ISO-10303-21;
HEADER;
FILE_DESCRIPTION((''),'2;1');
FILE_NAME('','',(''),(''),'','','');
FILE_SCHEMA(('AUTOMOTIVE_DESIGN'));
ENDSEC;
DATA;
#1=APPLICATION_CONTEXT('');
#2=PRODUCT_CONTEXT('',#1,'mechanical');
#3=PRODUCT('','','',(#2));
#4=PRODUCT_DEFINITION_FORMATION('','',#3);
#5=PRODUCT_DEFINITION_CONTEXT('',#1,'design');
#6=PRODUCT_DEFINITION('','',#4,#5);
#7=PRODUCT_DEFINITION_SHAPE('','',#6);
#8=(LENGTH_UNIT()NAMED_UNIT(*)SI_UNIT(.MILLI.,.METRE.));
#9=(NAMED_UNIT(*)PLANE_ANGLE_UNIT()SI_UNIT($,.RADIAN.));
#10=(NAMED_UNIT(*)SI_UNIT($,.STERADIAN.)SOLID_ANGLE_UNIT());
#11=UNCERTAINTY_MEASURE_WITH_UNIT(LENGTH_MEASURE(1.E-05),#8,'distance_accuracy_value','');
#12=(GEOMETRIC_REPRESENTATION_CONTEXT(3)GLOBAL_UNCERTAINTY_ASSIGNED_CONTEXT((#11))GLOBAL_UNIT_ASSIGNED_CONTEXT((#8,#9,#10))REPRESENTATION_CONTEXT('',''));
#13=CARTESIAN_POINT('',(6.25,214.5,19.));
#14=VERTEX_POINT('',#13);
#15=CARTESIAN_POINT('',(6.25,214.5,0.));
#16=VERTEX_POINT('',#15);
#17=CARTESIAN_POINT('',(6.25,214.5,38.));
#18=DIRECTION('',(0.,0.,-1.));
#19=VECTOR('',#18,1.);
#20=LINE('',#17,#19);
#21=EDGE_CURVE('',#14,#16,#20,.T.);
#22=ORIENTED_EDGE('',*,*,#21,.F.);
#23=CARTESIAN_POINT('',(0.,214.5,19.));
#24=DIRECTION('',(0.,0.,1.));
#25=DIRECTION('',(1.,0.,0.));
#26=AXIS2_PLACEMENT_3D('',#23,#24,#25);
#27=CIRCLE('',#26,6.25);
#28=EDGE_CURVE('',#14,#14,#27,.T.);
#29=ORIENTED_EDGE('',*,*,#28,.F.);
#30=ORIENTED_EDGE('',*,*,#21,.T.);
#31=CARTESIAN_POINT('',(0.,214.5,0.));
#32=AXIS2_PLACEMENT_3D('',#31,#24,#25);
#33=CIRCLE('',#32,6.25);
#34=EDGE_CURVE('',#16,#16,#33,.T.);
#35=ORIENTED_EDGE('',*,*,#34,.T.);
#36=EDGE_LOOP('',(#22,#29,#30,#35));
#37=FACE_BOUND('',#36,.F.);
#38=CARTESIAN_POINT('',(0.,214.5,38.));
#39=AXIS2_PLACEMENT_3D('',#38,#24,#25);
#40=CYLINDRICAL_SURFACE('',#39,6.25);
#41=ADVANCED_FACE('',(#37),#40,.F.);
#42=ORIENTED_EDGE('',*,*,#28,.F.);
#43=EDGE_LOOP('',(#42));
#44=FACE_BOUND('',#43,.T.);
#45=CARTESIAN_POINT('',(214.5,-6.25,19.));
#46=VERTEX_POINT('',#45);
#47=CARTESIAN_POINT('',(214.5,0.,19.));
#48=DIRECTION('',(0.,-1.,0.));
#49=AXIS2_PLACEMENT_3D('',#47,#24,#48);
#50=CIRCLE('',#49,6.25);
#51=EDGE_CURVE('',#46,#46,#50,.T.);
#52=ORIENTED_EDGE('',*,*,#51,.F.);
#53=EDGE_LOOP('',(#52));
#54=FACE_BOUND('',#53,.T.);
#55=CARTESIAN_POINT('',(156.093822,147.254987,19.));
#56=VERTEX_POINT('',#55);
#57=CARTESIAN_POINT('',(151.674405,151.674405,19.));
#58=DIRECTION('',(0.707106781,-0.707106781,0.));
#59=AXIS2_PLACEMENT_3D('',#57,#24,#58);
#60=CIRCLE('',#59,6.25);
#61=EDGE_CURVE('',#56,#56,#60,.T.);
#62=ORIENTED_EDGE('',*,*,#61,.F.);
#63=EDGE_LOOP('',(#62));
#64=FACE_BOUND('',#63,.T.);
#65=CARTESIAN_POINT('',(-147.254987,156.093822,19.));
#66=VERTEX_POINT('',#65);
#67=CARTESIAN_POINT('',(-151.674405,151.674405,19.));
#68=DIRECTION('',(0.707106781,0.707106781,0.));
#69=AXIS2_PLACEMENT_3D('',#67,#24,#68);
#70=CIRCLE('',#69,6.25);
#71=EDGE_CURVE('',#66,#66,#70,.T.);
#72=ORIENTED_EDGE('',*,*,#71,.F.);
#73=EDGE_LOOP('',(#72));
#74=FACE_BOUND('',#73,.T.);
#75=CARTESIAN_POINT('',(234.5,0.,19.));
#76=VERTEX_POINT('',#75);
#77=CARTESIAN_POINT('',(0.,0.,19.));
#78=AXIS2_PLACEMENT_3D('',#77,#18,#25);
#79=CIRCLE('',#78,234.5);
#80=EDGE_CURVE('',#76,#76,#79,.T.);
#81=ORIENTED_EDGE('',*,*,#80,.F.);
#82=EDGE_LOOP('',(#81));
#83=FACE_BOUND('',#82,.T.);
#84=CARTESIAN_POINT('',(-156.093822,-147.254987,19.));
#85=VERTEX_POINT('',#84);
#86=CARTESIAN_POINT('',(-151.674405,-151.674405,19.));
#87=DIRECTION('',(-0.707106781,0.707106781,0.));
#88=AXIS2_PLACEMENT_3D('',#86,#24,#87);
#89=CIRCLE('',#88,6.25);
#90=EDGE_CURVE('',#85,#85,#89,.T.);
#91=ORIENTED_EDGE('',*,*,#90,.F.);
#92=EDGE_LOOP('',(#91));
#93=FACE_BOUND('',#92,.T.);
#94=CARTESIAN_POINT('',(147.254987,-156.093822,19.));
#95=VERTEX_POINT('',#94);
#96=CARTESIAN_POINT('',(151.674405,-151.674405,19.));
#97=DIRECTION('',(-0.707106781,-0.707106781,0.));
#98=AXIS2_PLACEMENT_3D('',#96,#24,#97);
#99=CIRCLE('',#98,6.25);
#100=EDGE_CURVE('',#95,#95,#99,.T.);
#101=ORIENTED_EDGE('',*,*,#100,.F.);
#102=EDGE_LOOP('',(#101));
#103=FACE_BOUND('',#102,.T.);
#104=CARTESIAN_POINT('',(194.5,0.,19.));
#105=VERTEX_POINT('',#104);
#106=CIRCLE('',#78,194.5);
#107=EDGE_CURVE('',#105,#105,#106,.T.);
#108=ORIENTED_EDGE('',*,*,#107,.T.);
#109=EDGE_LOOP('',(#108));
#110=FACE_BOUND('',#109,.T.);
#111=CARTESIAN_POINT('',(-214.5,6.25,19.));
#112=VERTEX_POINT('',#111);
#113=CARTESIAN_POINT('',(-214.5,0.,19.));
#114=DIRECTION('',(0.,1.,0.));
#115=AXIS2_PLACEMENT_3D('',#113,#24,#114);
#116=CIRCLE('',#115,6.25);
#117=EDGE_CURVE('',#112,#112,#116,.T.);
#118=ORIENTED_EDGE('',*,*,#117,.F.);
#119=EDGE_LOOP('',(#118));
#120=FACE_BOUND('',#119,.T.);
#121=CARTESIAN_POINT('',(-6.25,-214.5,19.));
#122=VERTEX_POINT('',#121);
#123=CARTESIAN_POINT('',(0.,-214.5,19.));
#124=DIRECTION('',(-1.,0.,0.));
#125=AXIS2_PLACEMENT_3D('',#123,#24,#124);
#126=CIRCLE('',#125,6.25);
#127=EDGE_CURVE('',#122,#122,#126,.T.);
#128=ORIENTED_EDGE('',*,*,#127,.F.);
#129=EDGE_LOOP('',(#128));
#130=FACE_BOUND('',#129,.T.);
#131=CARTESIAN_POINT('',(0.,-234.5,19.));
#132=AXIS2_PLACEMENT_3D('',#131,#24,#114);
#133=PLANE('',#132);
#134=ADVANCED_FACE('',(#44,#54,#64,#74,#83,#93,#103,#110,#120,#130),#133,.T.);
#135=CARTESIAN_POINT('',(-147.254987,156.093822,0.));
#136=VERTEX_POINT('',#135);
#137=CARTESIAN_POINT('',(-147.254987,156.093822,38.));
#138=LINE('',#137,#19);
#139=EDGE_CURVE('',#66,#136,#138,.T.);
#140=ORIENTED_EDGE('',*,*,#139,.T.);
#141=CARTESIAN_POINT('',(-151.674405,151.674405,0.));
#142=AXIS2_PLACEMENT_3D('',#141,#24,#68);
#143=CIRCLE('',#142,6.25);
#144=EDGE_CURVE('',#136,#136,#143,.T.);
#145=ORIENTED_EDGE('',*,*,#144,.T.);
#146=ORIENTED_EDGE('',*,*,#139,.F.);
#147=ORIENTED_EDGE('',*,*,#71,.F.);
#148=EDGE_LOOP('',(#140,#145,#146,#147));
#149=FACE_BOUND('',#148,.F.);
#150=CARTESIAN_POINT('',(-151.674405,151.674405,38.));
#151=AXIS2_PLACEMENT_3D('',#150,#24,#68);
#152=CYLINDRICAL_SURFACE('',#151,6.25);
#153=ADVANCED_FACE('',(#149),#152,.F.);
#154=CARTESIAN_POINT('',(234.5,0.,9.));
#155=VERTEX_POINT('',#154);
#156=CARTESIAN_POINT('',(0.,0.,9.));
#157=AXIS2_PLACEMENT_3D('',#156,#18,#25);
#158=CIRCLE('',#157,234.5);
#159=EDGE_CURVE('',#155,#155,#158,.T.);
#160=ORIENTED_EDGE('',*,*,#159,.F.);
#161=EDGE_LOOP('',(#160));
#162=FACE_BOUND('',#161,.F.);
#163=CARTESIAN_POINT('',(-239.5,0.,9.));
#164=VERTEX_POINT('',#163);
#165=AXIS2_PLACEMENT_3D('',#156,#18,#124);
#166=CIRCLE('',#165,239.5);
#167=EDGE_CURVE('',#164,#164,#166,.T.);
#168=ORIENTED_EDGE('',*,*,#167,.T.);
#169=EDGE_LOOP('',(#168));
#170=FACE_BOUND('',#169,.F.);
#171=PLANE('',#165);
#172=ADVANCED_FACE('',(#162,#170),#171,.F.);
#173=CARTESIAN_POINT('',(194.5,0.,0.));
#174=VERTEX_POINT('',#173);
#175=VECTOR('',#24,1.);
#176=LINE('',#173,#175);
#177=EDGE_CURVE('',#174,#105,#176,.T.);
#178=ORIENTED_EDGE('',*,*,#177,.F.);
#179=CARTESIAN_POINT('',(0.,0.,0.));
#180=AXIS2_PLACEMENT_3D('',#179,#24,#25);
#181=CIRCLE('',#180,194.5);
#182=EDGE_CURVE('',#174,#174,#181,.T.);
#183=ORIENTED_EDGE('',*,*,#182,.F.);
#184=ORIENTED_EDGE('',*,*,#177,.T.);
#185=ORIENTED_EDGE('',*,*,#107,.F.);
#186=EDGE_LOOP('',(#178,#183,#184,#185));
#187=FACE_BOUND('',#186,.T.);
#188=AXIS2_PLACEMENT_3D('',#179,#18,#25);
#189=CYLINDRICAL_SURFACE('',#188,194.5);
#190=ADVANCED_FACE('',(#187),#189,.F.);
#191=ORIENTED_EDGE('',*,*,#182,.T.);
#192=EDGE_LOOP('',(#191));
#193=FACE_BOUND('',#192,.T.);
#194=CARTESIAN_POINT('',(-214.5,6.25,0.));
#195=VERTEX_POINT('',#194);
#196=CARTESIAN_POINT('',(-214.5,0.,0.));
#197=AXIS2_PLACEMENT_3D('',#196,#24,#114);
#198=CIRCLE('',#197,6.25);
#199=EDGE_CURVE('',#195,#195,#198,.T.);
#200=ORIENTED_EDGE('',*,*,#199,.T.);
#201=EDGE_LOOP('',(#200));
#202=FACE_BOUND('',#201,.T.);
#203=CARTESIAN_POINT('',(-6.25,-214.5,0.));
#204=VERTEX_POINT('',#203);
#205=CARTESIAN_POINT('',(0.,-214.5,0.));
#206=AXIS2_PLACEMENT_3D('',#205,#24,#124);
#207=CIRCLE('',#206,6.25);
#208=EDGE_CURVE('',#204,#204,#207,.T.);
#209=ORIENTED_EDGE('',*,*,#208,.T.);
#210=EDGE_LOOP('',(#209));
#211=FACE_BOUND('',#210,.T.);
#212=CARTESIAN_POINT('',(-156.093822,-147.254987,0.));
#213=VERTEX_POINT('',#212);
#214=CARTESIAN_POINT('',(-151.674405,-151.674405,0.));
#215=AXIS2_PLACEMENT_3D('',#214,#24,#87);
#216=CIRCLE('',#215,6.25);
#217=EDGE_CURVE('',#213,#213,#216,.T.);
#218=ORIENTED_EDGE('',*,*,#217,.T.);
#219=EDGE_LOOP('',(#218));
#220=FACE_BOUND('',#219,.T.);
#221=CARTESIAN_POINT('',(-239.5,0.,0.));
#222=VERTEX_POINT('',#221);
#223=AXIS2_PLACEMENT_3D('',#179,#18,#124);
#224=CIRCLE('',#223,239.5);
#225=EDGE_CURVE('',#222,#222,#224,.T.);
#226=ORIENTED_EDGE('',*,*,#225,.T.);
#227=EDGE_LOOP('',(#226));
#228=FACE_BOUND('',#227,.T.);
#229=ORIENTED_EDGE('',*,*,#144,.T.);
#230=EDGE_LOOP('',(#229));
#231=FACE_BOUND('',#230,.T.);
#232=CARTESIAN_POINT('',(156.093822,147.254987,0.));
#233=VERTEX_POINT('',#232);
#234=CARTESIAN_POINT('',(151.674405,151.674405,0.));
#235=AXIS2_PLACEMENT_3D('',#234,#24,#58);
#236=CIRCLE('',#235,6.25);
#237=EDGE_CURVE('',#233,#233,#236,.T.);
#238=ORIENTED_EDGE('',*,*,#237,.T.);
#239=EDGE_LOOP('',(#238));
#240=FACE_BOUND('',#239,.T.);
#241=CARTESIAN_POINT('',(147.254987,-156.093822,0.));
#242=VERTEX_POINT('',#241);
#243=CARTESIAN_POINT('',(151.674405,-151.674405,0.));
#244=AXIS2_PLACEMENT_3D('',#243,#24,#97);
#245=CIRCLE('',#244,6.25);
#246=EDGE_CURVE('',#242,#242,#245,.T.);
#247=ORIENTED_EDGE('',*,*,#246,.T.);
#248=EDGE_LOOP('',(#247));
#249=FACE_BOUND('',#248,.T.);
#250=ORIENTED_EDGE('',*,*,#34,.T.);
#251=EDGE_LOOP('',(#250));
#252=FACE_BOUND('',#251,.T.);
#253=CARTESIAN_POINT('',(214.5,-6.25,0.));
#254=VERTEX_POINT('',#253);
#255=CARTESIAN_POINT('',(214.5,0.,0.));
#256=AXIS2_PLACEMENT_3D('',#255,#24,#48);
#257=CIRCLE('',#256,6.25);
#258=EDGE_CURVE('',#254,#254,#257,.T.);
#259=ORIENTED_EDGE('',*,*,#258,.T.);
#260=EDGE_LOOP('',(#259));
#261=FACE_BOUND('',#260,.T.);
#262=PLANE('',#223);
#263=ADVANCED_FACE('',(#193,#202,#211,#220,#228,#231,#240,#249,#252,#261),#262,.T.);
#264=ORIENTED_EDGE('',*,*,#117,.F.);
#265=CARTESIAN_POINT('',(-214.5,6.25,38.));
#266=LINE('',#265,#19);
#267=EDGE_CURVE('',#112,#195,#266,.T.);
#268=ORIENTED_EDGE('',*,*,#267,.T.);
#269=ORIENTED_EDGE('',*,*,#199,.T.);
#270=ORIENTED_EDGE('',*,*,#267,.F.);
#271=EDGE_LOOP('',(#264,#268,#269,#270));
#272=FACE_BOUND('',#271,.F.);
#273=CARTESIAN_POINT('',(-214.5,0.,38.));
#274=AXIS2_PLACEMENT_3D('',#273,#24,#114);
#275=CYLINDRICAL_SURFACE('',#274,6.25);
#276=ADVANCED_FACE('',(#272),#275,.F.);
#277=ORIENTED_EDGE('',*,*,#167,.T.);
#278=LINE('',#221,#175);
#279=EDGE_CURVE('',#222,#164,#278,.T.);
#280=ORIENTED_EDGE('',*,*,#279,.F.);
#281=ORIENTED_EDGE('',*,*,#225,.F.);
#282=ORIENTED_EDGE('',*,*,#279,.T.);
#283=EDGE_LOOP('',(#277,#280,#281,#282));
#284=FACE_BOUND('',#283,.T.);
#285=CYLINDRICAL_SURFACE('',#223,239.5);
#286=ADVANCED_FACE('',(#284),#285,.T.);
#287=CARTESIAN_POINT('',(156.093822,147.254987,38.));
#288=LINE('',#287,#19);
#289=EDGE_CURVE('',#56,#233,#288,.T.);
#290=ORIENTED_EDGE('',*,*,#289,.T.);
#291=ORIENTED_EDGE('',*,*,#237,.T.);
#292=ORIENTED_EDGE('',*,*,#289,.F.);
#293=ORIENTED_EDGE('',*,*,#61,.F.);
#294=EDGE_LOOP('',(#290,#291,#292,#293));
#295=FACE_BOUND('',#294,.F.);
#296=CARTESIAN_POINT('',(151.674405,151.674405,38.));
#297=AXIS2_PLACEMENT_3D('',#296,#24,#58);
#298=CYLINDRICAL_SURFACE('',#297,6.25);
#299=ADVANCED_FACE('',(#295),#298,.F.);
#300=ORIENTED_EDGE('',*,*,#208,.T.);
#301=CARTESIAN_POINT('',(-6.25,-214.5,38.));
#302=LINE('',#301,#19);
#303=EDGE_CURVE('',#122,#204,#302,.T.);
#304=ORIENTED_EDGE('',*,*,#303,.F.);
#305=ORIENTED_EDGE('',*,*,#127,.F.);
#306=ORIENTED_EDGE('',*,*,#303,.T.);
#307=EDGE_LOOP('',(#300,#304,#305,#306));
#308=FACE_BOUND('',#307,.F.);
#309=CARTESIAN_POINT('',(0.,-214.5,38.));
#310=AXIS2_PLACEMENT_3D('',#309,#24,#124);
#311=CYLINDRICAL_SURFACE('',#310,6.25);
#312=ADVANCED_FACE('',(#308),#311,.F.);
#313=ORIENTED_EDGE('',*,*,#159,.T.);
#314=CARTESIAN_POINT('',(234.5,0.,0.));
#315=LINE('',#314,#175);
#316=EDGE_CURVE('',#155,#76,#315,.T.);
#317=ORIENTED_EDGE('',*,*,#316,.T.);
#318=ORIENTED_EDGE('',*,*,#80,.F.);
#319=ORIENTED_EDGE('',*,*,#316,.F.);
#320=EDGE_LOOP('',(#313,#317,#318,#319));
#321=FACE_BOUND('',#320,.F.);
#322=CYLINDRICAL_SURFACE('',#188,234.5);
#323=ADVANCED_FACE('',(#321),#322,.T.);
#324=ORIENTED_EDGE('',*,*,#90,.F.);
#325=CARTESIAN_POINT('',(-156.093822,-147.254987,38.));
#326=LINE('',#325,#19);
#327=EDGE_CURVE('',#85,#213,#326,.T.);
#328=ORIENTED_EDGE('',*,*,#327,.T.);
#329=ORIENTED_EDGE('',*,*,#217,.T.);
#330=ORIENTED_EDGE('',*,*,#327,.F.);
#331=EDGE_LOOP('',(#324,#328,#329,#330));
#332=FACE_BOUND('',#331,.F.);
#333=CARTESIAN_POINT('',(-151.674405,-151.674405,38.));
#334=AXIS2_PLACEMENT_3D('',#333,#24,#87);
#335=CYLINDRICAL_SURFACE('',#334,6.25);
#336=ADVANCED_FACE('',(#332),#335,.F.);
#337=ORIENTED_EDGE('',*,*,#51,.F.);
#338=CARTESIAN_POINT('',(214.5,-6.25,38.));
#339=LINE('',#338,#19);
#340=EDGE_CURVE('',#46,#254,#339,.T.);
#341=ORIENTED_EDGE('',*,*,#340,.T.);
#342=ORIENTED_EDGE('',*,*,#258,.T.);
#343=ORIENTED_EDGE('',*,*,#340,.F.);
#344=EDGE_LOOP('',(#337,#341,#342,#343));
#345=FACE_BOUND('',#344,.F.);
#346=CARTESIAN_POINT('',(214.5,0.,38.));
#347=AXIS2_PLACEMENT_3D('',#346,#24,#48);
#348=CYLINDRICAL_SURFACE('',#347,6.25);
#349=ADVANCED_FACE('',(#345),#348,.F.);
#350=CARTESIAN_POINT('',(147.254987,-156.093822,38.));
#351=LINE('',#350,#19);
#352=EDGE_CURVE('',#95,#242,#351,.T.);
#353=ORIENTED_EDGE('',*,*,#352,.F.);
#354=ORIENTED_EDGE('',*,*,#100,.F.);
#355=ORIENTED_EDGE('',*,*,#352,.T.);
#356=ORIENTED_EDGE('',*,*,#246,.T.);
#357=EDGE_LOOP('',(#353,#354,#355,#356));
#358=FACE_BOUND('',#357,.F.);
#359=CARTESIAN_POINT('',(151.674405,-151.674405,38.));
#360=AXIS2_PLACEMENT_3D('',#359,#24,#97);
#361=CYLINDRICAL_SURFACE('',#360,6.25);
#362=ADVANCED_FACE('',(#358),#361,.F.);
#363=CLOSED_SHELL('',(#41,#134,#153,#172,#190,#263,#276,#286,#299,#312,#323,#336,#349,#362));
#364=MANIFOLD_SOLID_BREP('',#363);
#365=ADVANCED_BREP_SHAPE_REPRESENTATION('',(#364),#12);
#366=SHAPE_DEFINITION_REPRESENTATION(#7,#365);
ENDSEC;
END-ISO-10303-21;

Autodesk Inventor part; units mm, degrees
ref_plane "YZ Plane" through (0, 0, 0) normal (1, 0, 0) x (0, 1, 0)
ref_plane "XZ Plane" through (0, 0, 0) normal (0, 1, 0) x (-1, 0, 0)
ref_plane "XY Plane" through (0, 0, 0) normal (0, 0, 1) x (1, 0, 0)
sketch "Sketch1" plane through (0, 0, 0) normal (0, 0, 1) x (1, 0, 0)
  circle A0 centre (0, 0) radius 194.5
  circle A1 centre (0, 0) radius 234.5
  dimension "d0" = 40
  dimension "d1" = 389
extrude "Extrusion1" add sketch "Sketch1" along normal blind 38
sketch "Sketch2" plane through (0, 0, 38) normal (0, 0, 1) x (1, 0, 0)
  circle A0 centre (0, 0) radius 234.5 construction
  circle A1 centre (0, 0) radius 194.5 construction
  line L0 (0, 234.5) -> (0, 194.5) construction
  circle A2 centre (0, 214.5) radius 6.25
  dimension "d4" = 12.5
extrude "Extrusion2" cut sketch "Sketch2" against normal through all
sketch "Sketch3" plane through (0, 0, 38) normal (0, 0, 1) x (1, 0, 0)
  circle A0 centre (0, 214.5) radius 6.25 projected
  circle A1 centre (0, 214.5) radius 13.75
  point P0 (0, 0)
  dimension "d10" = 27.5
extrude "Extrusion3" cut sketch "Sketch3" against normal blind 11
pattern_circular "Circular Pattern1" count 8 over 360 about axis through (0, 0, 0) along (0, 0, 1) of "Extrusion2", "Extrusion3"
sketch "Sketch4" plane through (0, 0, 0) normal (0, 0, -1) x (-1, 0, 0)
  circle A0 centre (0, 0) radius 234.5 projected
  circle A1 centre (0, 0) radius 239.5
  dimension "d13" = 5
extrude "Extrusion4" add sketch "Sketch4" against normal blind 9
sketch "Sketch5" plane through (0, 0, 0) normal (1, 0, 0) x (0, 1, 0)
  line L0 (234.5, 9) -> (234.5, 38) projected
  line L1 (239.5, 9) -> (-239.5, 9) projected
  line L2 (239.5, 0) -> (239.5, 9) projected
  line L3 (-239.5, 0) -> (239.5, 0) projected
  line L4 (-234.5, 9) -> (-234.5, 38) projected
  line L5 (-239.5, 0) -> (-239.5, 9) projected
  line L6 (-234.5, 19) -> (234.5, 19)
  line L7 (234.5, 38) -> (-234.5, 38) projected
  line L8 (234.5, 38) -> (-234.5, 38)
  point P0 (0, 0)
  dimension "d16" = 38
  dimension "d17" = 19
extrude "Extrusion5" cut sketch "Sketch5" along normal through all both and the other way through all contours L6 L4 L7 L0
equation "\"d1\" = Вал_ось_диаметр_КОРМА"
equation "\"BendRadius\" = Thickness"
equation "\"BendReliefWidth\" = Thickness"
equation "\"BendReliefDepth\" = 0.5 * Thickness"
equation "\"CornerReliefSize\" = 4 * Thickness"
equation "\"MinimumRemnant\" = 2 * Thickness"
equation "\"TransitionRadius\" = BendRadius"
equation "\"JacobiRadiusSize\" = BendRadius"
equation "\"GapSize\" = Thickness"
equation "\"Вал_ось_диаметр_КОРМА\" = 389"
equation "\"Thickness\" = 19"
properties part number "ДМФ 01 32.2 Барабан Опорное кольцо КОРМА"
